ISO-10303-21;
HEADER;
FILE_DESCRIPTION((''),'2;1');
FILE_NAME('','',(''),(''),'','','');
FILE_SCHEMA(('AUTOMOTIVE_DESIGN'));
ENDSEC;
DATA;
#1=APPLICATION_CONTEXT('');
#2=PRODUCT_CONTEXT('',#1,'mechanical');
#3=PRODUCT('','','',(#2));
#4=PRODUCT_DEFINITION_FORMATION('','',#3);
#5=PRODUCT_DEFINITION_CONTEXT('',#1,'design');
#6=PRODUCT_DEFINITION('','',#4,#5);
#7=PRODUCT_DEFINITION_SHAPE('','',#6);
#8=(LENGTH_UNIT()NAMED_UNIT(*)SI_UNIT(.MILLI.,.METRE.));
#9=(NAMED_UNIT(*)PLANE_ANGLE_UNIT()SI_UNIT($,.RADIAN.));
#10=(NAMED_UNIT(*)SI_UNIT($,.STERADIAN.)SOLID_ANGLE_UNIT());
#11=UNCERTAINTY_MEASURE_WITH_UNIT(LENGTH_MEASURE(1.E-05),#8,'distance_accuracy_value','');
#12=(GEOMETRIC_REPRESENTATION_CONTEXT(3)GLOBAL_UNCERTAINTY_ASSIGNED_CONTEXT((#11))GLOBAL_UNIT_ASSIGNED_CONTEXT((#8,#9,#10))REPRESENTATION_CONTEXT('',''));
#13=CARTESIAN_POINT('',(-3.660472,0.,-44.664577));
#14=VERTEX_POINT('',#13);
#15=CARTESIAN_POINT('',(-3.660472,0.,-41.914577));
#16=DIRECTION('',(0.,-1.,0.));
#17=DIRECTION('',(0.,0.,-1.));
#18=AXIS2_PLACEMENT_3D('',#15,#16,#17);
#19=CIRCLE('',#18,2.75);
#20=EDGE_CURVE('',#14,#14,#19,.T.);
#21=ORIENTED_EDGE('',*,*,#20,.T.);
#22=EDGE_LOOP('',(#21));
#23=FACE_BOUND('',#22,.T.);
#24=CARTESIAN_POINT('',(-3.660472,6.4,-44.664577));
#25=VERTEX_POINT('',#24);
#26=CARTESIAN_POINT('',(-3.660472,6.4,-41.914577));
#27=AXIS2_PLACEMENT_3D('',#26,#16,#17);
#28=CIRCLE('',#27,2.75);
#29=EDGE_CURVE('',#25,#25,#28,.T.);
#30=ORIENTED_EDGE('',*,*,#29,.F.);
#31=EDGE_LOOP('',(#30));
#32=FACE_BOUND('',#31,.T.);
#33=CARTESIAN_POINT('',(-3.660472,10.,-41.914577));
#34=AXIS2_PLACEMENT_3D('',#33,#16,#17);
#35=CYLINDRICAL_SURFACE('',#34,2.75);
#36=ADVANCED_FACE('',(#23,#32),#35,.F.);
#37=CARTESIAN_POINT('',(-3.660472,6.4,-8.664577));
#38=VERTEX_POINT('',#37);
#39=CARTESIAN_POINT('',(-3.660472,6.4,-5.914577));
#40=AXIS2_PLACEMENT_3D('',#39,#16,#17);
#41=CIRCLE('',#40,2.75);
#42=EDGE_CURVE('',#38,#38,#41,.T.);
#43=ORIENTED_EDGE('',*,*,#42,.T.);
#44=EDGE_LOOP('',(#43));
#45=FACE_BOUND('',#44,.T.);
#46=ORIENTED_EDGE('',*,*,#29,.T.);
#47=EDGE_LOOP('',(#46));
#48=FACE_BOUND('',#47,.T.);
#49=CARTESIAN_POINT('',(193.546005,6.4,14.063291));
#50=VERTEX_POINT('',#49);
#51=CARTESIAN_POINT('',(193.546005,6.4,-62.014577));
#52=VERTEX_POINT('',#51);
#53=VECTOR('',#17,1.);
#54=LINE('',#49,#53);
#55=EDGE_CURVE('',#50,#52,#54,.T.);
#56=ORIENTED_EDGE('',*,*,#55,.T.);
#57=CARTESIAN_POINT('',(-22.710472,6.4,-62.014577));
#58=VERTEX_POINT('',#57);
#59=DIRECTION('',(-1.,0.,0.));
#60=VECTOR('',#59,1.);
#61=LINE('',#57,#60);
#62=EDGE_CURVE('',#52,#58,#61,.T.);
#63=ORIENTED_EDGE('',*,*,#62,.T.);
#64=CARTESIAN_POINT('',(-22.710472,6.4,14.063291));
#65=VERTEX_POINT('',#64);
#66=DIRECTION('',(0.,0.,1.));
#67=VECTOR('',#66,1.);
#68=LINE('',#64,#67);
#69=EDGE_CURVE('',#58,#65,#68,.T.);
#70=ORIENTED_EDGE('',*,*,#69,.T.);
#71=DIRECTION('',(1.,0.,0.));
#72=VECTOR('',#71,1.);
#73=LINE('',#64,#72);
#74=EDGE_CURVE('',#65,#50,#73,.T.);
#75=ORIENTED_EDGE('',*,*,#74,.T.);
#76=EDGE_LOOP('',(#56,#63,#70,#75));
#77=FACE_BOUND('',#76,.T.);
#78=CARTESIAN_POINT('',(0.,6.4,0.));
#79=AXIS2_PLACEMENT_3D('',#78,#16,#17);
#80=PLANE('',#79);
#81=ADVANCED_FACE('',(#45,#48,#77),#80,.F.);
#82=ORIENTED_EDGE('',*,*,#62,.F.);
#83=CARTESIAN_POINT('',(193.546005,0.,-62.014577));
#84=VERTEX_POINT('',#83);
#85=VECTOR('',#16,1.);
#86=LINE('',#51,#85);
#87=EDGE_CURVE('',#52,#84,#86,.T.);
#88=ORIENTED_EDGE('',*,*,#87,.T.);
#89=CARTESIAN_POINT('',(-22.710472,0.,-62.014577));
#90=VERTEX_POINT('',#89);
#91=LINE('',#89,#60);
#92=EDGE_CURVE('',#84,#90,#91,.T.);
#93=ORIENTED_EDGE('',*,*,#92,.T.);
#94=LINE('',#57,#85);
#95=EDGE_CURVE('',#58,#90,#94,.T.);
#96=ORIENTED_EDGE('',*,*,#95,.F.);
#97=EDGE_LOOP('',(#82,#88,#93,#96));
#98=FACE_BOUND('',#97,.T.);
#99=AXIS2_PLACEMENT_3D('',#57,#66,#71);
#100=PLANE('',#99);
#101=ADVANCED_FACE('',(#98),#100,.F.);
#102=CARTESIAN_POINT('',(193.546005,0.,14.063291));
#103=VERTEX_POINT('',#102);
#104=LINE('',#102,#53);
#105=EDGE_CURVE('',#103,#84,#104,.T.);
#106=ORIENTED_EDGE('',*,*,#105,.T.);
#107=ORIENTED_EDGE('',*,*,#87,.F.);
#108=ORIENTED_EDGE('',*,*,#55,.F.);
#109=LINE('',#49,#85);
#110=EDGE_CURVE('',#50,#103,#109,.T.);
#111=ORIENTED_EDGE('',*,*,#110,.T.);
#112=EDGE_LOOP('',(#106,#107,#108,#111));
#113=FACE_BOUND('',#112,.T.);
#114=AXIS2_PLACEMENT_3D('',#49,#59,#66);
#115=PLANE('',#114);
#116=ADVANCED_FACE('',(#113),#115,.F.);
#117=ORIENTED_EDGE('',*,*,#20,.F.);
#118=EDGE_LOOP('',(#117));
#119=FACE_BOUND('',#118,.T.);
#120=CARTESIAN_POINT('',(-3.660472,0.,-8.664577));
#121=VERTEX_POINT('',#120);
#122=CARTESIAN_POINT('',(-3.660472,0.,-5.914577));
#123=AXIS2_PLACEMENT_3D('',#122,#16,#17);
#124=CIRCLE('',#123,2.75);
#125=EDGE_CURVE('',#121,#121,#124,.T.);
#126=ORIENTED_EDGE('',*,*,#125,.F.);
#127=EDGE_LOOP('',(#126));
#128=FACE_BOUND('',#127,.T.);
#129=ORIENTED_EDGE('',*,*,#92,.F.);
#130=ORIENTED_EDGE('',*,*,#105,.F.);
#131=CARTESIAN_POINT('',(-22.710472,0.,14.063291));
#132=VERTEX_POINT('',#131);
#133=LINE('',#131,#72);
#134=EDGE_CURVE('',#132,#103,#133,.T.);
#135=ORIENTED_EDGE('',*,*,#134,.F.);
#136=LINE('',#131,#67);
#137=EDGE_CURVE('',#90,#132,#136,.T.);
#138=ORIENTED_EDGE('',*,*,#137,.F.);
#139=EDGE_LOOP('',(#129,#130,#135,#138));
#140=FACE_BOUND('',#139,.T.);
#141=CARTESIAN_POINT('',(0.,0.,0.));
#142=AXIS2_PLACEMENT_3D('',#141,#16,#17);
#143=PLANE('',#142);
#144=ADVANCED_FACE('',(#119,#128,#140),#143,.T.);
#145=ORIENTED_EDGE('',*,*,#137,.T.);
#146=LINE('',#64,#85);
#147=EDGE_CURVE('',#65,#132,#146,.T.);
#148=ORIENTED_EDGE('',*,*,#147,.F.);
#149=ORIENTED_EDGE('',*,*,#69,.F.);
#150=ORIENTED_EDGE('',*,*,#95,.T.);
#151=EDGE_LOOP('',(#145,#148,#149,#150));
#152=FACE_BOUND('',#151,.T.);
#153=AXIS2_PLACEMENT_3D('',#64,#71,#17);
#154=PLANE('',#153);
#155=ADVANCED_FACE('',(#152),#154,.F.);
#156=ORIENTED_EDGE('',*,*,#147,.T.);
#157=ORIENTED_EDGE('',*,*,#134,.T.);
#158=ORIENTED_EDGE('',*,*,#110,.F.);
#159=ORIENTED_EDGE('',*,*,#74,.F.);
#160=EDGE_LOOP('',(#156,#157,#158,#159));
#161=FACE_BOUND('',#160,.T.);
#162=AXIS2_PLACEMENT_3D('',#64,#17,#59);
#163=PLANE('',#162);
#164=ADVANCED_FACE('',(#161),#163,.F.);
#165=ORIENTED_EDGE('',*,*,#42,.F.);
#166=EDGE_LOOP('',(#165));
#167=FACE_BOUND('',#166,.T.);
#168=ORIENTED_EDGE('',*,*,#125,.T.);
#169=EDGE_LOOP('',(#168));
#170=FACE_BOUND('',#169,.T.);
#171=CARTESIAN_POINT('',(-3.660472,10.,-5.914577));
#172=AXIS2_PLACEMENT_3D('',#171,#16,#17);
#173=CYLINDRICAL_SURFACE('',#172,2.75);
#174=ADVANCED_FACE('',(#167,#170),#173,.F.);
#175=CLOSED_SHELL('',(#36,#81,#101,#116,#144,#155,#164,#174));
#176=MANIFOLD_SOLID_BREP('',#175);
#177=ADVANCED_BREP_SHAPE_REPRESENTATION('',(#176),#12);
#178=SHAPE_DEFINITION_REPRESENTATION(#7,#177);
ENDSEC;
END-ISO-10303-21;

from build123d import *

# Parameters (mm, degrees)
SKETCH1_W           = 216.256477903
SKETCH1_H           = 76.077868368
BOSS_EXTRUDE1_DEPTH = 6.4
SKETCH2_R           = 2.75
CUT_EXTRUDE1_DEPTH  = 10


with BuildPart() as part:
    # Sketch1 → Boss-Extrude1 (new body)
    with BuildSketch(Plane(origin=(0, 0, 0), x_dir=(1, 0, 0), z_dir=(0, 1, 0))):
        with Locations((85.41776647, 23.975642843)):
            Rectangle(SKETCH1_W, SKETCH1_H)
    extrude(amount=BOSS_EXTRUDE1_DEPTH)

    # Sketch2 → Cut-Extrude1 (cut)
    with BuildSketch(Plane.XZ):
        with Locations((-3.660472482, -5.914577027)):
            Circle(SKETCH2_R)
        with Locations((-3.660472482, -41.914577027)):
            Circle(SKETCH2_R)
    extrude(amount=-CUT_EXTRUDE1_DEPTH, mode=Mode.SUBTRACT)


solid = part.part
